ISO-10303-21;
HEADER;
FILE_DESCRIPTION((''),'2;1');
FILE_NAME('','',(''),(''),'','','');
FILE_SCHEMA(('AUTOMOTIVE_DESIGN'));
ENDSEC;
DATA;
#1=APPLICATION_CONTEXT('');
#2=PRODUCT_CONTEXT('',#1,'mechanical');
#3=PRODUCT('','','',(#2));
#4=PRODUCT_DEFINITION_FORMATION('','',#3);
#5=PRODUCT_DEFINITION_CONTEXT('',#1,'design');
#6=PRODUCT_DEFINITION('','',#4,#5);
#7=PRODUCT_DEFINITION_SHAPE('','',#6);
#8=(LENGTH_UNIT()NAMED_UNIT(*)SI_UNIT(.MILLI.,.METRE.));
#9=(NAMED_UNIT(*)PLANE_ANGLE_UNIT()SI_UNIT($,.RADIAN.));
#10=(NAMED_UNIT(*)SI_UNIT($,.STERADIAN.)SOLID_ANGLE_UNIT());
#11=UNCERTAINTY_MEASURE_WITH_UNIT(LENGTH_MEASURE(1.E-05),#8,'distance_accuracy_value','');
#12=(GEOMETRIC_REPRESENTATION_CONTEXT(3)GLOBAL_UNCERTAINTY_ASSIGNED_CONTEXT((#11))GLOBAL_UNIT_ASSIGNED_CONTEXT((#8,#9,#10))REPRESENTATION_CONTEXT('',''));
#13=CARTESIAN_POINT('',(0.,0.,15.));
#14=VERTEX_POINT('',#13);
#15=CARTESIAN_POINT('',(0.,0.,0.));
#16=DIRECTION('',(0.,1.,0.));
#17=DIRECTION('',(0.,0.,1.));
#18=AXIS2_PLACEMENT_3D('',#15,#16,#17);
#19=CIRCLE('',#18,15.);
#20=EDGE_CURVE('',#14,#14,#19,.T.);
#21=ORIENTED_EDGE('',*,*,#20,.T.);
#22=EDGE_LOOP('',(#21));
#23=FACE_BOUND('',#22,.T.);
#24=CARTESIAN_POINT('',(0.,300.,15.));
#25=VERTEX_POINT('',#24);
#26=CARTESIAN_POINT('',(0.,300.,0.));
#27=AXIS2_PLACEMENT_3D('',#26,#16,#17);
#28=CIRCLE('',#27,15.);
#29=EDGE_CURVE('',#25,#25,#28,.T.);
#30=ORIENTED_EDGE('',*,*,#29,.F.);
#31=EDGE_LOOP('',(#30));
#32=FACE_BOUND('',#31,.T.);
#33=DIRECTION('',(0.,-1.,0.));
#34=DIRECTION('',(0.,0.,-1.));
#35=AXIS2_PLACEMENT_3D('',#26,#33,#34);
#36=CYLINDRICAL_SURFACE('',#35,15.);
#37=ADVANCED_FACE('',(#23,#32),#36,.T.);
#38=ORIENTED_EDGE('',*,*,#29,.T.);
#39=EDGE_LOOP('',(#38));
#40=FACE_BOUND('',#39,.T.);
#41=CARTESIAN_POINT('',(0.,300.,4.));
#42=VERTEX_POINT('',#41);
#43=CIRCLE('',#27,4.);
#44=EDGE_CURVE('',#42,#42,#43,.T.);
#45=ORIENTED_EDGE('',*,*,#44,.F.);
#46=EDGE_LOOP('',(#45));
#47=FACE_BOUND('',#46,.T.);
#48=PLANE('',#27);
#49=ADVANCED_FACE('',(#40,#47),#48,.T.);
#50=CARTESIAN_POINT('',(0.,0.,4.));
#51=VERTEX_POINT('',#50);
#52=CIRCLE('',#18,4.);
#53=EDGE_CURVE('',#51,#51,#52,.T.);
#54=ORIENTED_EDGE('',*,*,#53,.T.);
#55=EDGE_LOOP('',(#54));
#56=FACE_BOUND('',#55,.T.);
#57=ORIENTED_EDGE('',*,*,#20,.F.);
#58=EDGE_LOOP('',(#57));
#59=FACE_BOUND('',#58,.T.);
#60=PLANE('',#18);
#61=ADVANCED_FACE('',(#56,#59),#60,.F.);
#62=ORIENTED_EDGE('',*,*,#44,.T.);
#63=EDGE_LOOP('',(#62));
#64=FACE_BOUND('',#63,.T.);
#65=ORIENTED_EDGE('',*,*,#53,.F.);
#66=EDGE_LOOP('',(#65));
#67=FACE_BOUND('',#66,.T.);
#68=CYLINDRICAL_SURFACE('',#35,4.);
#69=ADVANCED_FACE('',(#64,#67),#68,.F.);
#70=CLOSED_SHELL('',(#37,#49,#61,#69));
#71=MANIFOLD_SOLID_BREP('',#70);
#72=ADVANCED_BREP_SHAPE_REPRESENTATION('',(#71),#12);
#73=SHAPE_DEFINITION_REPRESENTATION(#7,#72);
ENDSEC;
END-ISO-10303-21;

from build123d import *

# Parameters (mm, degrees)
CROQUIS1_R              = 15
CROQUIS1_R_2            = 4
SALIENTE_EXTRUIR1_DEPTH = 300


with BuildPart() as part:
    # Croquis1 → Saliente-Extruir1 (new body)
    with BuildSketch(Plane(origin=(0, 0, 0), x_dir=(1, 0, 0), z_dir=(0, 1, 0))):
        Circle(CROQUIS1_R)
        Circle(CROQUIS1_R_2, mode=Mode.SUBTRACT)
    extrude(amount=SALIENTE_EXTRUIR1_DEPTH)


solid = part.part
